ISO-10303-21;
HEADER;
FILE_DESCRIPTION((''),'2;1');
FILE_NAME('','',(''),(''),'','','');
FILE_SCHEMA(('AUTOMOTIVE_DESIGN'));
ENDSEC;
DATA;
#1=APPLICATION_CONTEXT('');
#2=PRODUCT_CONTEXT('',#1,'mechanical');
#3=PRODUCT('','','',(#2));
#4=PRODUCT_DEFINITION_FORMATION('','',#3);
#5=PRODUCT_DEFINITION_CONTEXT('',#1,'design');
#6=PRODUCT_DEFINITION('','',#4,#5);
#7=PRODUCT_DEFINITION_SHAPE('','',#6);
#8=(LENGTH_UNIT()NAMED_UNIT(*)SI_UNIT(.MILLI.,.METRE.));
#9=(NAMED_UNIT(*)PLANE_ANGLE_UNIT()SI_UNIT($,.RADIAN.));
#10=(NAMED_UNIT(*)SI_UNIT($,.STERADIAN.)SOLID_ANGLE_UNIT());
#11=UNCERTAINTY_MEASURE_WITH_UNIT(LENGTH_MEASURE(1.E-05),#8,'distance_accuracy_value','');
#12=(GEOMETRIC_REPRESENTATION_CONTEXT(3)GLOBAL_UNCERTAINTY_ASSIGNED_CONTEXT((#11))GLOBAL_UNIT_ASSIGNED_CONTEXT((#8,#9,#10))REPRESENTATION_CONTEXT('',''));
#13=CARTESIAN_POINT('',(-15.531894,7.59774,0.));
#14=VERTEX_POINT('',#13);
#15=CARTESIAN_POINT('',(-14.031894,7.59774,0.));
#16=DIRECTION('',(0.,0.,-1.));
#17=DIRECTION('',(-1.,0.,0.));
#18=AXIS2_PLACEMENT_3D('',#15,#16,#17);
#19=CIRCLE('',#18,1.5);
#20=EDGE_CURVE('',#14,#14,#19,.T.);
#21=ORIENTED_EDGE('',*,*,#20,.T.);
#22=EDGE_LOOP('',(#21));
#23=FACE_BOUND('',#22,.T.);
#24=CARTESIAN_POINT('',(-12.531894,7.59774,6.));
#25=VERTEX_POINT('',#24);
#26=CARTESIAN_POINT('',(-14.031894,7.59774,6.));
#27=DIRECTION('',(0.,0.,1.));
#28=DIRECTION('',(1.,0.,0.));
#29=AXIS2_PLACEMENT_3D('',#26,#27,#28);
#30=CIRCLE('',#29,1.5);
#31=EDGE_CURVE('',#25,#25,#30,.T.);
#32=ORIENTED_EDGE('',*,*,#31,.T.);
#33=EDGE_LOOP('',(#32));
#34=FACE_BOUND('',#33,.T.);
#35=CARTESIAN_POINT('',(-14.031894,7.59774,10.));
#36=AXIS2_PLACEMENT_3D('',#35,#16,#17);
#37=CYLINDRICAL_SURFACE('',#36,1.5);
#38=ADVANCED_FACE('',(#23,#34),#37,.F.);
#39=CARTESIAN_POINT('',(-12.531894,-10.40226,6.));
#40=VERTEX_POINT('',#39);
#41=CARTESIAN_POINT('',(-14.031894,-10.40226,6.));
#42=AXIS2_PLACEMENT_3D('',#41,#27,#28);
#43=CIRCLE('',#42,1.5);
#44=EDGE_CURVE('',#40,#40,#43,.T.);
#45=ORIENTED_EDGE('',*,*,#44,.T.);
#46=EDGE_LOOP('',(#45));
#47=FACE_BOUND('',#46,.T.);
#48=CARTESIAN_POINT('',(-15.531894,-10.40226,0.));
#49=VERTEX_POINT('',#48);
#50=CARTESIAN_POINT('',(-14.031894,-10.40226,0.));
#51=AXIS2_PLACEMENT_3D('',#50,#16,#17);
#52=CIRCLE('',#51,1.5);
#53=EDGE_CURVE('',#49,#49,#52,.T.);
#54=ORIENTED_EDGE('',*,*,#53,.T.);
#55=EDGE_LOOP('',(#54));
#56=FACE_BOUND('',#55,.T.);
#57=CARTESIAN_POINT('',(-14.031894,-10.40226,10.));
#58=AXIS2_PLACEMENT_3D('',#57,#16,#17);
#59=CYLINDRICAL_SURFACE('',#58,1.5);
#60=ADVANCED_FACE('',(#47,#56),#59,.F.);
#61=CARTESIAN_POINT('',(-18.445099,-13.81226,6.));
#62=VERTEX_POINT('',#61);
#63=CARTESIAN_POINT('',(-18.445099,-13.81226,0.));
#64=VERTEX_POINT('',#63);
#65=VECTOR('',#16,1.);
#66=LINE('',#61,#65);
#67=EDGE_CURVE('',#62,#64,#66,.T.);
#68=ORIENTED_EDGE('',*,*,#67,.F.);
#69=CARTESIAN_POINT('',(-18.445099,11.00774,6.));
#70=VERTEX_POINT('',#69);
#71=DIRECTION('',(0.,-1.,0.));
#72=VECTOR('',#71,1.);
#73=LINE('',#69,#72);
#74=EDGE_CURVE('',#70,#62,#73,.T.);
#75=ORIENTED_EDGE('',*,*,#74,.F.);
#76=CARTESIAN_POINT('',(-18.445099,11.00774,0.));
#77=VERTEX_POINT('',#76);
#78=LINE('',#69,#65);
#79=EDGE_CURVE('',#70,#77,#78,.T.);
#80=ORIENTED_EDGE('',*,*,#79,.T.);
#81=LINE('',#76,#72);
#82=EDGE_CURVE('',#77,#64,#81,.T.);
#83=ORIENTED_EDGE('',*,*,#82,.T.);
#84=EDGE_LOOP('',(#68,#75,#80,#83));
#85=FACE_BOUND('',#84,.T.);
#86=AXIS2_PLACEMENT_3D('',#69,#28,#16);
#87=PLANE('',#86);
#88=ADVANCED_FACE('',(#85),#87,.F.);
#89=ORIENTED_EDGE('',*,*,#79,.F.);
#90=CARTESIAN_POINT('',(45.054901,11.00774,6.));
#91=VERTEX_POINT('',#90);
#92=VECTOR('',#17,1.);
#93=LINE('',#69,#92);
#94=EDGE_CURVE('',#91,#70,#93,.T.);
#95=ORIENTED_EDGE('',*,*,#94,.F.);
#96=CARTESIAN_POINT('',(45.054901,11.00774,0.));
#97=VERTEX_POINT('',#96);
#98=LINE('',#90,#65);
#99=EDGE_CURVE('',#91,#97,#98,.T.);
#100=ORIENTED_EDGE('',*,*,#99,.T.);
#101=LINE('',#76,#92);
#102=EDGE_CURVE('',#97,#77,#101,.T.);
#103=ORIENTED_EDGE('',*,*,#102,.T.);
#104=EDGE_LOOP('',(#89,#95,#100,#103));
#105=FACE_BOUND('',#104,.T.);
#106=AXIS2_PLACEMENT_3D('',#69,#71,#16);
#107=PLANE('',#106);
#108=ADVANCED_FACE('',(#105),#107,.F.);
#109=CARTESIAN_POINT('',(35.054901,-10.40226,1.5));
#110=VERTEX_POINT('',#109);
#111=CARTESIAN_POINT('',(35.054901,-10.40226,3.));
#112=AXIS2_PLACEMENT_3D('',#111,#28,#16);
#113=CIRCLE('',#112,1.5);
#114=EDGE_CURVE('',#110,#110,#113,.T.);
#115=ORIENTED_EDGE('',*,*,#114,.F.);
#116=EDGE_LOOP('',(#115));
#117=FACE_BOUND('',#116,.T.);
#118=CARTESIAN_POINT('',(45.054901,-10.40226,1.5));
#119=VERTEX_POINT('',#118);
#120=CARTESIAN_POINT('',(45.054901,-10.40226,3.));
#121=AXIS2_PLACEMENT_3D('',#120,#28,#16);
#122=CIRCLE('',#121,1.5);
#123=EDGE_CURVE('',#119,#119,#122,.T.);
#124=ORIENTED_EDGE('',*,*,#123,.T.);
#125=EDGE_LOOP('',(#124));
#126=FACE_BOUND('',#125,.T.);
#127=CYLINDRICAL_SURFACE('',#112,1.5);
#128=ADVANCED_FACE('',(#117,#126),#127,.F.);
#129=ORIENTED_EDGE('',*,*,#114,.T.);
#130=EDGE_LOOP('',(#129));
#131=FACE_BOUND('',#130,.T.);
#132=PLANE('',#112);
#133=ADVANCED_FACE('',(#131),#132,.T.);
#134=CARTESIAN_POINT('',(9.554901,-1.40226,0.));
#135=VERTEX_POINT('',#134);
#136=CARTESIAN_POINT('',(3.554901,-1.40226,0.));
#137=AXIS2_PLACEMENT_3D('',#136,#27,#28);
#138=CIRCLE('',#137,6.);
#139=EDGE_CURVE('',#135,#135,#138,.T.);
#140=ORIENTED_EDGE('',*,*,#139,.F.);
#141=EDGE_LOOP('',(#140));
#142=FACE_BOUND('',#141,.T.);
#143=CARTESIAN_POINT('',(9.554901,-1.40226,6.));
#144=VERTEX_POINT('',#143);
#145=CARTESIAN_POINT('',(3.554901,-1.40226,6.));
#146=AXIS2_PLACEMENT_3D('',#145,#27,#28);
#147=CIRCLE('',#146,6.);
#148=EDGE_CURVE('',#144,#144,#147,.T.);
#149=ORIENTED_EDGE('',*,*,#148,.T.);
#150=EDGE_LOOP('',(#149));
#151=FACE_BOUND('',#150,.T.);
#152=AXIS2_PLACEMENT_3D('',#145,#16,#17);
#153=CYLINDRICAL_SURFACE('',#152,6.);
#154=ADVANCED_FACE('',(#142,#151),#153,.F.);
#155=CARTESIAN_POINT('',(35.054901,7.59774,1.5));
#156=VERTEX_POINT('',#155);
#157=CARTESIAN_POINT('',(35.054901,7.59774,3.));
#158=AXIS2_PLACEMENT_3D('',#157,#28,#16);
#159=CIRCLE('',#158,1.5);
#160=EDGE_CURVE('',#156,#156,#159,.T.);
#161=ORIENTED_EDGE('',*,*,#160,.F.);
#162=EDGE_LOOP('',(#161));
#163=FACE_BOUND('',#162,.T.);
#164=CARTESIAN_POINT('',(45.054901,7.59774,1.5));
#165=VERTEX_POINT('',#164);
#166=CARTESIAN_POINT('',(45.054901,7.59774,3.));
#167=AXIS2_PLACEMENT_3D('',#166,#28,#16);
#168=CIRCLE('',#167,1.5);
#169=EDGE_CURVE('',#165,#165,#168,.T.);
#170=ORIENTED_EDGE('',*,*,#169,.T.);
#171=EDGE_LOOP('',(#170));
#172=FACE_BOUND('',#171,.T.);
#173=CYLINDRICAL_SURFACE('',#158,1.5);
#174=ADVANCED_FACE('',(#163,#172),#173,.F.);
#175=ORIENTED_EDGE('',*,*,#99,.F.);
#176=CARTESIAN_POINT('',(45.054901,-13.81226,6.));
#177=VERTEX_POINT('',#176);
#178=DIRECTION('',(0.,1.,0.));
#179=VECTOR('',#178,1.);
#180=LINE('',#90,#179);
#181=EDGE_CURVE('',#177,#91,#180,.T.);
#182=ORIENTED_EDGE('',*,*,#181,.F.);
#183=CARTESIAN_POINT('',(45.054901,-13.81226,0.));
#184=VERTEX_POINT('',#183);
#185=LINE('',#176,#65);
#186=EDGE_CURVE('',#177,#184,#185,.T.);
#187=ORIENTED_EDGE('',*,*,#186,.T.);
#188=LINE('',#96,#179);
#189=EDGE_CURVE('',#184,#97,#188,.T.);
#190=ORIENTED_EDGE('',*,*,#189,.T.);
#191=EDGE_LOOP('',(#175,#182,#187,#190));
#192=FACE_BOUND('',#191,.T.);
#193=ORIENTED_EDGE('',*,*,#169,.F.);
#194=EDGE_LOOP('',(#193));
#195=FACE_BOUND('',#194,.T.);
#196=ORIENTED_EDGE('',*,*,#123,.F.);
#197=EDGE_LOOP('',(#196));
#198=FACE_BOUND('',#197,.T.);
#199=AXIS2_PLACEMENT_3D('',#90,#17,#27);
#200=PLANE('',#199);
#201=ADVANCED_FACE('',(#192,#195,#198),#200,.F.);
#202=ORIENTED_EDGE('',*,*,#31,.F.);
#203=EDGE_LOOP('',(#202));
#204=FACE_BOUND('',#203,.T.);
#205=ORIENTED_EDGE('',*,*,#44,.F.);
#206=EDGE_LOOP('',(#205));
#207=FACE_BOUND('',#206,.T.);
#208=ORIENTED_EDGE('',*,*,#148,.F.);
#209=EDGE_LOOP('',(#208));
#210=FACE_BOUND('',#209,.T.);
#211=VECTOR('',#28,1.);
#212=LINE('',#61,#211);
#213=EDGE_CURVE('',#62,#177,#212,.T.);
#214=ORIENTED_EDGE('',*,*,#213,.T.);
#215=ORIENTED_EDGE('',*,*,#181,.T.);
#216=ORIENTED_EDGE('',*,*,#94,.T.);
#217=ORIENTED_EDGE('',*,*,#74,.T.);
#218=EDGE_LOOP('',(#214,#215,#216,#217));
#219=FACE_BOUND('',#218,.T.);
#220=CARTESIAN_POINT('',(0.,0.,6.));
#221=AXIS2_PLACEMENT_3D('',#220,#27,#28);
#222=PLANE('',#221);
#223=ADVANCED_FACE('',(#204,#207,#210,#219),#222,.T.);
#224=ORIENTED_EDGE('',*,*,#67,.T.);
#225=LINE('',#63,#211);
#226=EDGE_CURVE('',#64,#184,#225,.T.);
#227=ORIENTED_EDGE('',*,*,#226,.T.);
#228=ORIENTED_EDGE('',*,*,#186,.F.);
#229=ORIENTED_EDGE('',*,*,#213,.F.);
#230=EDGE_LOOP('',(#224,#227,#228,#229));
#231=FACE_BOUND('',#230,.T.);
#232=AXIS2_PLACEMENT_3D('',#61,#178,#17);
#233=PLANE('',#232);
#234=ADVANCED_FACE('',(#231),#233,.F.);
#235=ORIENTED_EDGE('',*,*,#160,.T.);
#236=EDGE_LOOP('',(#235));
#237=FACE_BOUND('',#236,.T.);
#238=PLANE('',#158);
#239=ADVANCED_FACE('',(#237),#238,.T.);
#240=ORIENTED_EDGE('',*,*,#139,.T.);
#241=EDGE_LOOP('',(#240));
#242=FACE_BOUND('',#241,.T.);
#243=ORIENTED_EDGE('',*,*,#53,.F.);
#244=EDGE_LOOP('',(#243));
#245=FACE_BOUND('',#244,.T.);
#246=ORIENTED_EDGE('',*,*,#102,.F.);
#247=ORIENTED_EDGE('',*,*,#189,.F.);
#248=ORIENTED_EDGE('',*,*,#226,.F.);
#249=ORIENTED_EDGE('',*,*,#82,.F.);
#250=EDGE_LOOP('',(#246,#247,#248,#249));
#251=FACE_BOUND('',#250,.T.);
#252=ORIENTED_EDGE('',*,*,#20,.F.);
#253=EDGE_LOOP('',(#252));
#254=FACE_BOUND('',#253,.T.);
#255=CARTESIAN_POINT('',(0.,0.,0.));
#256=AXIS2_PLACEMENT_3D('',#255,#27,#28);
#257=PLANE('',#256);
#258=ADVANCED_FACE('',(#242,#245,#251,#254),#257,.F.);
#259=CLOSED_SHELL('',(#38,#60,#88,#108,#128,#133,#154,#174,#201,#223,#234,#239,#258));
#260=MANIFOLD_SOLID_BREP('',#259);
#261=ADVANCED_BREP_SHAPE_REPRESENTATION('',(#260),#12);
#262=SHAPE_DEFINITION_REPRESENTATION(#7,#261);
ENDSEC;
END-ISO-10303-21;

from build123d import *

# Parameters (mm, degrees)
ESQUISSE1_W             = 63.5
ESQUISSE1_H             = 24.82
ESQUISSE1_R             = 6
BOSS_EXTRU_1_DEPTH      = 6
ESQUISSE2_R             = 1.5
ENL_V_MAT_EXTRU_1_DEPTH = 10
ESQUISSE3_R             = 1.5
ENL_V_MAT_EXTRU_2_DEPTH = 10


with BuildPart() as part:
    # Esquisse1 → Boss.-Extru.1 (new body)
    with BuildSketch(Plane.XY):
        with Locations((13.304900678, -1.402259887)):
            Rectangle(ESQUISSE1_W, ESQUISSE1_H)
        with Locations((3.554900678, -1.402259887)):
            Circle(ESQUISSE1_R, mode=Mode.SUBTRACT)
    extrude(amount=BOSS_EXTRU_1_DEPTH)

    # Esquisse2 → Enlèv. mat.-Extru.1 (cut)
    with BuildSketch(Plane(origin=(45.054900678, 0, 0), x_dir=(0, 0, -1), z_dir=(1, 0, 0))):
        with Locations((-3, 7.597740113)):
            Circle(ESQUISSE2_R)
        with Locations((-3, -10.402259887)):
            Circle(ESQUISSE2_R)
    extrude(amount=-ENL_V_MAT_EXTRU_1_DEPTH, mode=Mode.SUBTRACT)

    # Esquisse3 → Enlèv. mat.-Extru.2 (cut)
    with BuildSketch(Plane(origin=(0, 0, 0), x_dir=(-1, 0, 0), z_dir=(0, 0, -1))):
        with Locations((14.031893584, 7.597740113)):
            Circle(ESQUISSE3_R)
        with Locations((14.031893584, -10.402259887)):
            Circle(ESQUISSE3_R)
    extrude(amount=-ENL_V_MAT_EXTRU_2_DEPTH, mode=Mode.SUBTRACT)


solid = part.part
